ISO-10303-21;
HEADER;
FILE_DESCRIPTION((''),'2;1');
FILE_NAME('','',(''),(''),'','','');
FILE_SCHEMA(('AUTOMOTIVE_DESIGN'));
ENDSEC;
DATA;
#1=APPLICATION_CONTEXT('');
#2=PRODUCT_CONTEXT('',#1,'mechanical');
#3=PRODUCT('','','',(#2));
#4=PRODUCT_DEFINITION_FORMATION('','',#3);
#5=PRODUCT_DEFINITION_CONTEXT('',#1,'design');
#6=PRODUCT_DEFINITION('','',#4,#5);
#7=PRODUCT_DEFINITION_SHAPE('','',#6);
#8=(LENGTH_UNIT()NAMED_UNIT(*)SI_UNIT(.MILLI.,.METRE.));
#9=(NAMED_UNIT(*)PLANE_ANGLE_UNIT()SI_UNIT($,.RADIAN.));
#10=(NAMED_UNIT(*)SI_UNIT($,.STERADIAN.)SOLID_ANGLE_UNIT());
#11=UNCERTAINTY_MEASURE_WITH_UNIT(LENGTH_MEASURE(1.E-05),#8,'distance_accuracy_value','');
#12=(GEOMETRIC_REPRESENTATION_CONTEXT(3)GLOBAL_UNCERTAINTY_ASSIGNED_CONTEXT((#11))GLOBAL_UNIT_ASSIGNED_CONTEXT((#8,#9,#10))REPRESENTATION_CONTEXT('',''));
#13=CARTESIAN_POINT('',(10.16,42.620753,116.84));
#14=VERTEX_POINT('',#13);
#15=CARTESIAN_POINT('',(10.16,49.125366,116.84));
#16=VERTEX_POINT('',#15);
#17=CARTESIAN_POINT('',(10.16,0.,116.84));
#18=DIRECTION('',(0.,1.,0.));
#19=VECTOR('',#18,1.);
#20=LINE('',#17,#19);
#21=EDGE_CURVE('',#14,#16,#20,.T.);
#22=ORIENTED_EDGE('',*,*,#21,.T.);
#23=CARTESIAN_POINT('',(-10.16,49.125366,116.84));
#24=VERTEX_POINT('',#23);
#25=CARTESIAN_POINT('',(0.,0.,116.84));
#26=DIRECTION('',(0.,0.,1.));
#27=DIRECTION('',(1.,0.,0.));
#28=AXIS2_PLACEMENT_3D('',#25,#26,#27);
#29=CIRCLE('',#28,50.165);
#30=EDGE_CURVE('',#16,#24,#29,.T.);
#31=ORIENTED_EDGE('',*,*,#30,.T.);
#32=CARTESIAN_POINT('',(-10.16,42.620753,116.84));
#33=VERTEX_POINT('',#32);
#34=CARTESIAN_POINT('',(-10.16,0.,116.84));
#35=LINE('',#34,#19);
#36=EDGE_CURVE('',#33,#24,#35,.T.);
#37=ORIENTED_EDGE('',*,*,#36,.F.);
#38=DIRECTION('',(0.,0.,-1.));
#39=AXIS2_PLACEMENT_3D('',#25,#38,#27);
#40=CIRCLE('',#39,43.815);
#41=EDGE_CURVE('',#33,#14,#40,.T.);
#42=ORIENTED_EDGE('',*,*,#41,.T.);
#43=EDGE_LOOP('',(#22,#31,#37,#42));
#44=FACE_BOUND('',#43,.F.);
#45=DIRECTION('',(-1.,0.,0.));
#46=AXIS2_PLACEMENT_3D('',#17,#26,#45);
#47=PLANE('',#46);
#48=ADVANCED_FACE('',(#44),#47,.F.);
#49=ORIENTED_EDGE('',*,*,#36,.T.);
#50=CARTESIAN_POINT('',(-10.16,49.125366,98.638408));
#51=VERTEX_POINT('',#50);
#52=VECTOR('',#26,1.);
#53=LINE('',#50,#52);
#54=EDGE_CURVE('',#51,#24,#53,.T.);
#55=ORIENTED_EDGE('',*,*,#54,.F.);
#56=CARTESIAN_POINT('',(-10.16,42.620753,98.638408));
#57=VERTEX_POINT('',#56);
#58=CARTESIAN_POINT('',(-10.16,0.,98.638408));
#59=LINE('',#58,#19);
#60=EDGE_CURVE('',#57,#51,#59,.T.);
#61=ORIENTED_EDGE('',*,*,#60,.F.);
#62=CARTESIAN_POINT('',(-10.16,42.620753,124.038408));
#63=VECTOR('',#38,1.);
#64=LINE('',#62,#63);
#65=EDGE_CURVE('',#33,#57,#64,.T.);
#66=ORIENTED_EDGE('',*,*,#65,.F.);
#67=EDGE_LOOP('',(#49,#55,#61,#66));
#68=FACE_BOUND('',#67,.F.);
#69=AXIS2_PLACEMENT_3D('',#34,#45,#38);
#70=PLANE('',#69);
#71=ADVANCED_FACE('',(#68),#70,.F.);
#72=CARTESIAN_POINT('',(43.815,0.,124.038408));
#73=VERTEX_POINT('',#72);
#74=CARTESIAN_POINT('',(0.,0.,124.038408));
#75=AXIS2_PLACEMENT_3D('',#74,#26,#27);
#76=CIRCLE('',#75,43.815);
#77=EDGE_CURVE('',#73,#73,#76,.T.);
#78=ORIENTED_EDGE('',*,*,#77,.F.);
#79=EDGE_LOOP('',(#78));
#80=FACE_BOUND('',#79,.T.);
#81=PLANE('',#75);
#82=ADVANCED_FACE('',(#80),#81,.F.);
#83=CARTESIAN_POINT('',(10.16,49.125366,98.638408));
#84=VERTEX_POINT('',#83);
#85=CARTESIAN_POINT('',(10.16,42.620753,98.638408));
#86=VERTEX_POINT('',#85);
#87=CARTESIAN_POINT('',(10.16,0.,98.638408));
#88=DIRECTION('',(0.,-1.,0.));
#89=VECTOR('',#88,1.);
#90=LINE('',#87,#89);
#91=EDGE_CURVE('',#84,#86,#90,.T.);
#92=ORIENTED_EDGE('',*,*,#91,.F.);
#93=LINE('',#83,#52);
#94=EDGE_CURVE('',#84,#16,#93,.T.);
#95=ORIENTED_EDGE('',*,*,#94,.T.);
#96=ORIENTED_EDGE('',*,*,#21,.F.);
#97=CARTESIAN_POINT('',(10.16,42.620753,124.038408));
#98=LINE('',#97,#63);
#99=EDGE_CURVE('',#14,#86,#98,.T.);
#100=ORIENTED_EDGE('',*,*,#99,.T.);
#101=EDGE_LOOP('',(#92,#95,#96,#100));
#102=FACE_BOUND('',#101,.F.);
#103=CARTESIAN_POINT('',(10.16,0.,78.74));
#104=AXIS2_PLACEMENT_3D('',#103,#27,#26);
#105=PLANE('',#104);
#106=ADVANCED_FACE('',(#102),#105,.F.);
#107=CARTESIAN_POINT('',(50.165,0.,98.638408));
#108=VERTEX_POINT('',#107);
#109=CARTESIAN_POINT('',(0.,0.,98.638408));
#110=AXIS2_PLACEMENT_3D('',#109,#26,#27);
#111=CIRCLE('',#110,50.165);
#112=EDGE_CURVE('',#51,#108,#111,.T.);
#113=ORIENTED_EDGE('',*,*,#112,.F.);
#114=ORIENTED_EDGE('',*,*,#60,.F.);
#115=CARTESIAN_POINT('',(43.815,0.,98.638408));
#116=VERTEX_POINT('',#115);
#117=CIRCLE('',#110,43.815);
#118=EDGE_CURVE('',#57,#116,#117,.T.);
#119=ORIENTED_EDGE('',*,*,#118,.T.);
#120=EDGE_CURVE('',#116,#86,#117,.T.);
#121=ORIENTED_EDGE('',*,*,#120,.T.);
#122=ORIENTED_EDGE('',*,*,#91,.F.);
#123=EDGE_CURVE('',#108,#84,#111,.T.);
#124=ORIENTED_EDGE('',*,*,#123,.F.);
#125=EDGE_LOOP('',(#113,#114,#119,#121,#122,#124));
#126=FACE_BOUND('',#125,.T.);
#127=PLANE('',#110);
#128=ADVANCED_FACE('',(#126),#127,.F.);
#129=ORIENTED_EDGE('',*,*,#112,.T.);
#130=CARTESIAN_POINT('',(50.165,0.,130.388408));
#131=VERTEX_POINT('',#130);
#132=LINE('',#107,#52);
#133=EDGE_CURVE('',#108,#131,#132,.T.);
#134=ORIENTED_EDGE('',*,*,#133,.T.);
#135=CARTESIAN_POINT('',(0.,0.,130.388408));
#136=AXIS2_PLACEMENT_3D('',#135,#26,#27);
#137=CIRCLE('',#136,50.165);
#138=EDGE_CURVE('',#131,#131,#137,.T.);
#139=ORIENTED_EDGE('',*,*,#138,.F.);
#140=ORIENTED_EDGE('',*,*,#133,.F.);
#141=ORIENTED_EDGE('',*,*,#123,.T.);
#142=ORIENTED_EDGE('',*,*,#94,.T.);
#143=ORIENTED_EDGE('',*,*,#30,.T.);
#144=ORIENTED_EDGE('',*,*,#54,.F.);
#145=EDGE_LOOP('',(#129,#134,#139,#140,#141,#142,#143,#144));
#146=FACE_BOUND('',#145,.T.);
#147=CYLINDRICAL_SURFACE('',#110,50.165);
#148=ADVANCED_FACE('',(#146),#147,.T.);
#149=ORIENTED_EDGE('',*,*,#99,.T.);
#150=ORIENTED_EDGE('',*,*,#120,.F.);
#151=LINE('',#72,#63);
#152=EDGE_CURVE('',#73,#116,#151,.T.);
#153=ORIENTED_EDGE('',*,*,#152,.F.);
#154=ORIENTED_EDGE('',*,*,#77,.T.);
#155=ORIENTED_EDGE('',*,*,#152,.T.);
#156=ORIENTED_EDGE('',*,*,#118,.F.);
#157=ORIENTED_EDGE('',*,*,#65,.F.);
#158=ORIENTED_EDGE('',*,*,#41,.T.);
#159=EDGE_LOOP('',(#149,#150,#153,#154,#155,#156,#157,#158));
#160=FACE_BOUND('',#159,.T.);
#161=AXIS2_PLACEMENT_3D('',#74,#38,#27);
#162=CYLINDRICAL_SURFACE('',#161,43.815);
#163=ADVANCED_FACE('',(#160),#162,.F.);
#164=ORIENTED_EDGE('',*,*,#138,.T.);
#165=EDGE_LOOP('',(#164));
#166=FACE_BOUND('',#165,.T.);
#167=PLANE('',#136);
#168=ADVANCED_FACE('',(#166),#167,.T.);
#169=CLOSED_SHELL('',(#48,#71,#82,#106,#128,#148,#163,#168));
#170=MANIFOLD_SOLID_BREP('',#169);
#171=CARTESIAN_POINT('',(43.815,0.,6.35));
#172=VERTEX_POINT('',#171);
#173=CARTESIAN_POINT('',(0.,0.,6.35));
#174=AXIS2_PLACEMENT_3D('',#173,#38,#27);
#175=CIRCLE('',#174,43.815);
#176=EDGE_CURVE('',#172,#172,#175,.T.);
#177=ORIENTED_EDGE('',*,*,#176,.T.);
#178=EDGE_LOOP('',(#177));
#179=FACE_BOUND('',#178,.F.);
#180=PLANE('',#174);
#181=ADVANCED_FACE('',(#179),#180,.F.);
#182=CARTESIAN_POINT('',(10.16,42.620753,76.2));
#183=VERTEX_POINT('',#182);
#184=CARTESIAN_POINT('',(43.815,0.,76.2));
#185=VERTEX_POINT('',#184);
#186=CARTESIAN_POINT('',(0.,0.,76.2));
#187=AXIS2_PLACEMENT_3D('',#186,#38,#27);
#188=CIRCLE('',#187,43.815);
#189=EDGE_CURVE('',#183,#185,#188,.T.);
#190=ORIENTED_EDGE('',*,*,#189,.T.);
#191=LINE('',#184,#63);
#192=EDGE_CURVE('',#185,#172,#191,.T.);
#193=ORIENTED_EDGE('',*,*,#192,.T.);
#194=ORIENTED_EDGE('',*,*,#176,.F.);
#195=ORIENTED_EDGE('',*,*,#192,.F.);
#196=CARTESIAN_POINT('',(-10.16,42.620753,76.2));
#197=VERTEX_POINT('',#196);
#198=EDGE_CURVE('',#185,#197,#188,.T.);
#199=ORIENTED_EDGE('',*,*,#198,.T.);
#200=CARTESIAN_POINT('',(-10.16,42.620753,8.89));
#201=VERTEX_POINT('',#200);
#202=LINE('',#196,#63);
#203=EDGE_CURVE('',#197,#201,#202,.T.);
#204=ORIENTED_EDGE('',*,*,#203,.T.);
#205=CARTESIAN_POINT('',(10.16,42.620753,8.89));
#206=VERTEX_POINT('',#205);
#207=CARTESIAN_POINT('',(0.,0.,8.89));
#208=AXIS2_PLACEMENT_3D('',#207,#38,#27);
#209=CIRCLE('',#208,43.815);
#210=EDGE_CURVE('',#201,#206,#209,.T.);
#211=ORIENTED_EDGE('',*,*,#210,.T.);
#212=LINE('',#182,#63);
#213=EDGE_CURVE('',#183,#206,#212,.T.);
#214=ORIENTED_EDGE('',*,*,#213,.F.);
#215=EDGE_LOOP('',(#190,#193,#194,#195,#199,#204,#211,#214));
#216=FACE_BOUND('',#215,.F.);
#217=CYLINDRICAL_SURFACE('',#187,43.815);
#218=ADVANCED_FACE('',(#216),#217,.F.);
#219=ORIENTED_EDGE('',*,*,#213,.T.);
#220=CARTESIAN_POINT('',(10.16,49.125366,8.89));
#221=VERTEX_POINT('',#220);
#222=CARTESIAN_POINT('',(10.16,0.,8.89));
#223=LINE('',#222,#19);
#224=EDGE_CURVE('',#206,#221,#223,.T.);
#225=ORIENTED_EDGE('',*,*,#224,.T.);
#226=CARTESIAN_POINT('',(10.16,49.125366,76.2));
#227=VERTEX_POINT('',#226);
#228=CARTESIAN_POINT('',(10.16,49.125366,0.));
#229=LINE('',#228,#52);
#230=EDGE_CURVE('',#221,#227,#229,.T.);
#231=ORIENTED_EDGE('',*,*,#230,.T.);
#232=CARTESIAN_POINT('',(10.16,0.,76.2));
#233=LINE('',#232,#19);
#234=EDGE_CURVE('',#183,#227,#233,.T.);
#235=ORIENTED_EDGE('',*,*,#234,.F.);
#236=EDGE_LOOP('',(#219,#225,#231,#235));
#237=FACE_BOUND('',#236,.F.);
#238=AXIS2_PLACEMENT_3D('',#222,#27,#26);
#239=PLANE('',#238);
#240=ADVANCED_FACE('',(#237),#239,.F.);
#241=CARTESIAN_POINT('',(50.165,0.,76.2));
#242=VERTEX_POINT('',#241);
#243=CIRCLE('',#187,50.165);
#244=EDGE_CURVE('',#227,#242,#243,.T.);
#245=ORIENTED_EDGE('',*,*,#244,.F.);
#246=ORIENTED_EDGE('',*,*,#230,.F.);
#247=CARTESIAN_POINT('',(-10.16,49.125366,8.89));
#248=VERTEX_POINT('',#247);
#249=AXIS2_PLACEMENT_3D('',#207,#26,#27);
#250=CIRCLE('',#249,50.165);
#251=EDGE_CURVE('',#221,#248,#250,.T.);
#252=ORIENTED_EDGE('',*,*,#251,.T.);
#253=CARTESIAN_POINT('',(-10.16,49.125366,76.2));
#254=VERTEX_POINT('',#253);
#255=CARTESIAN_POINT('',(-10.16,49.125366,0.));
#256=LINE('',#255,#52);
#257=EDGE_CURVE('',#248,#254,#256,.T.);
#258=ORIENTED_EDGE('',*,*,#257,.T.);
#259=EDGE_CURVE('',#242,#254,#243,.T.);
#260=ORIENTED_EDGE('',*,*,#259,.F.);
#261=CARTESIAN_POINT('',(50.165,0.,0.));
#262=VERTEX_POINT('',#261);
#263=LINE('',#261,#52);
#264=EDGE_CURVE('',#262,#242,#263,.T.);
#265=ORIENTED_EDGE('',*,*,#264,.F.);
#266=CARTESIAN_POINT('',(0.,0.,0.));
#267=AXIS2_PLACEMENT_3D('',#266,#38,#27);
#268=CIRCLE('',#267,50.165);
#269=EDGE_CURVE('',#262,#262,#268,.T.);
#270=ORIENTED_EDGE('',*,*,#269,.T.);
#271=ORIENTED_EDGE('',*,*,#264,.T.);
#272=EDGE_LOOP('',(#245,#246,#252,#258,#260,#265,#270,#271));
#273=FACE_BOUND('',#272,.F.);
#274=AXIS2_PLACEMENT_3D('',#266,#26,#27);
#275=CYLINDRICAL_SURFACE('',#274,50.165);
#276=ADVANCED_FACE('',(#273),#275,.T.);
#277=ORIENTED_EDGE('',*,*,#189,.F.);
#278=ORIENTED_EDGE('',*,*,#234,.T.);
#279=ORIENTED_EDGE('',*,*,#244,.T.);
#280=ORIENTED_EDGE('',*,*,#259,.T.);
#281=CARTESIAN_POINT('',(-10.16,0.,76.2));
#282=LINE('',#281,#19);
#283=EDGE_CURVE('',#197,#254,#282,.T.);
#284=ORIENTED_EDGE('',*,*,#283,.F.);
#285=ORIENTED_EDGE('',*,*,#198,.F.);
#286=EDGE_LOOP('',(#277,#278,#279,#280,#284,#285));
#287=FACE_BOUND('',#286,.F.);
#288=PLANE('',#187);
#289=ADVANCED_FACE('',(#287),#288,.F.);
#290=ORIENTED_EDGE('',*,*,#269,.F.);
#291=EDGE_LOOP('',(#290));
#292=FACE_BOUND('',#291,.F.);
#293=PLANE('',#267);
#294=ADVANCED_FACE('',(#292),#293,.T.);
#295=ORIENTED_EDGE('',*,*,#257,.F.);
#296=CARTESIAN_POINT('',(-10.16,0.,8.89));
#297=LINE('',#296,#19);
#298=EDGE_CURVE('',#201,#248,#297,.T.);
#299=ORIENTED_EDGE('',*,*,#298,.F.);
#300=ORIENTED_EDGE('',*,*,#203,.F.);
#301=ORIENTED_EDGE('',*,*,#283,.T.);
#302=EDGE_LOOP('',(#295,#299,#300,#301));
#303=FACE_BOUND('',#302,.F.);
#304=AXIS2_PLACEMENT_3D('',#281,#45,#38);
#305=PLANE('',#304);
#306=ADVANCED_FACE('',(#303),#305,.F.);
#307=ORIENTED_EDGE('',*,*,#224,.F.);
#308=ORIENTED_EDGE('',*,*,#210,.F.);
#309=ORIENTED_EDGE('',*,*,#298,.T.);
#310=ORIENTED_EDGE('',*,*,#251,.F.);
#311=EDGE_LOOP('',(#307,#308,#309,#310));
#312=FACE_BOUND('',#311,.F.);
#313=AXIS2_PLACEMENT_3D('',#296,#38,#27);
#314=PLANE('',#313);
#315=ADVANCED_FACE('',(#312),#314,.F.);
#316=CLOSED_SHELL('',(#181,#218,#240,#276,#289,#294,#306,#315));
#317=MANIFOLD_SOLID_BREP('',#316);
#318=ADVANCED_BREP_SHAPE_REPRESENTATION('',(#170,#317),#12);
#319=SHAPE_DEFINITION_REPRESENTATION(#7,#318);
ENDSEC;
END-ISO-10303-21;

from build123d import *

# Parameters (mm, degrees)
F3_DEPTH = 99.06
F7_DEPTH = 94.996


with BuildPart() as f1:
    # F0 (on Front) → F1 (revolve)
    with BuildSketch(Plane.XZ):
        Polygon((0, 6.35), (0, 0), (50.165, 0), (50.165, 76.2), (43.815, 76.2), (43.815, 6.35), align=None)
    revolve(axis=Axis((0, 0, 3.175), (0, 0, -1)))

    # F2 (on Front) → F3 (cut)
    with BuildSketch(Plane.XZ):
        Polygon((-10.16, 8.89), (0, 8.89), (10.16, 8.89), (10.16, 76.2), (-10.16, 76.2), align=None)
    extrude(amount=-F3_DEPTH, mode=Mode.SUBTRACT)


with BuildPart() as f5:
    # F4 (on Front) → F5 (revolve)
    with BuildSketch(Plane.XZ):
        Polygon((50.165, 130.388408), (0, 130.388408), (0, 124.038408), (43.815, 124.038408), (43.815, 98.638408), (50.165, 98.638408), align=None)
    revolve(axis=Axis((0, 0, 127.213408), (0, 0, 1)))

    # F6 (on Front) → F7 (cut)
    with BuildSketch(Plane.XZ):
        Polygon((-10.16, 78.74), (0, 78.74), (10.16, 78.74), (10.16, 116.84), (-10.16, 116.84), align=None)
    extrude(amount=-F7_DEPTH, mode=Mode.SUBTRACT)


solid = Compound([f1.part, f5.part])
